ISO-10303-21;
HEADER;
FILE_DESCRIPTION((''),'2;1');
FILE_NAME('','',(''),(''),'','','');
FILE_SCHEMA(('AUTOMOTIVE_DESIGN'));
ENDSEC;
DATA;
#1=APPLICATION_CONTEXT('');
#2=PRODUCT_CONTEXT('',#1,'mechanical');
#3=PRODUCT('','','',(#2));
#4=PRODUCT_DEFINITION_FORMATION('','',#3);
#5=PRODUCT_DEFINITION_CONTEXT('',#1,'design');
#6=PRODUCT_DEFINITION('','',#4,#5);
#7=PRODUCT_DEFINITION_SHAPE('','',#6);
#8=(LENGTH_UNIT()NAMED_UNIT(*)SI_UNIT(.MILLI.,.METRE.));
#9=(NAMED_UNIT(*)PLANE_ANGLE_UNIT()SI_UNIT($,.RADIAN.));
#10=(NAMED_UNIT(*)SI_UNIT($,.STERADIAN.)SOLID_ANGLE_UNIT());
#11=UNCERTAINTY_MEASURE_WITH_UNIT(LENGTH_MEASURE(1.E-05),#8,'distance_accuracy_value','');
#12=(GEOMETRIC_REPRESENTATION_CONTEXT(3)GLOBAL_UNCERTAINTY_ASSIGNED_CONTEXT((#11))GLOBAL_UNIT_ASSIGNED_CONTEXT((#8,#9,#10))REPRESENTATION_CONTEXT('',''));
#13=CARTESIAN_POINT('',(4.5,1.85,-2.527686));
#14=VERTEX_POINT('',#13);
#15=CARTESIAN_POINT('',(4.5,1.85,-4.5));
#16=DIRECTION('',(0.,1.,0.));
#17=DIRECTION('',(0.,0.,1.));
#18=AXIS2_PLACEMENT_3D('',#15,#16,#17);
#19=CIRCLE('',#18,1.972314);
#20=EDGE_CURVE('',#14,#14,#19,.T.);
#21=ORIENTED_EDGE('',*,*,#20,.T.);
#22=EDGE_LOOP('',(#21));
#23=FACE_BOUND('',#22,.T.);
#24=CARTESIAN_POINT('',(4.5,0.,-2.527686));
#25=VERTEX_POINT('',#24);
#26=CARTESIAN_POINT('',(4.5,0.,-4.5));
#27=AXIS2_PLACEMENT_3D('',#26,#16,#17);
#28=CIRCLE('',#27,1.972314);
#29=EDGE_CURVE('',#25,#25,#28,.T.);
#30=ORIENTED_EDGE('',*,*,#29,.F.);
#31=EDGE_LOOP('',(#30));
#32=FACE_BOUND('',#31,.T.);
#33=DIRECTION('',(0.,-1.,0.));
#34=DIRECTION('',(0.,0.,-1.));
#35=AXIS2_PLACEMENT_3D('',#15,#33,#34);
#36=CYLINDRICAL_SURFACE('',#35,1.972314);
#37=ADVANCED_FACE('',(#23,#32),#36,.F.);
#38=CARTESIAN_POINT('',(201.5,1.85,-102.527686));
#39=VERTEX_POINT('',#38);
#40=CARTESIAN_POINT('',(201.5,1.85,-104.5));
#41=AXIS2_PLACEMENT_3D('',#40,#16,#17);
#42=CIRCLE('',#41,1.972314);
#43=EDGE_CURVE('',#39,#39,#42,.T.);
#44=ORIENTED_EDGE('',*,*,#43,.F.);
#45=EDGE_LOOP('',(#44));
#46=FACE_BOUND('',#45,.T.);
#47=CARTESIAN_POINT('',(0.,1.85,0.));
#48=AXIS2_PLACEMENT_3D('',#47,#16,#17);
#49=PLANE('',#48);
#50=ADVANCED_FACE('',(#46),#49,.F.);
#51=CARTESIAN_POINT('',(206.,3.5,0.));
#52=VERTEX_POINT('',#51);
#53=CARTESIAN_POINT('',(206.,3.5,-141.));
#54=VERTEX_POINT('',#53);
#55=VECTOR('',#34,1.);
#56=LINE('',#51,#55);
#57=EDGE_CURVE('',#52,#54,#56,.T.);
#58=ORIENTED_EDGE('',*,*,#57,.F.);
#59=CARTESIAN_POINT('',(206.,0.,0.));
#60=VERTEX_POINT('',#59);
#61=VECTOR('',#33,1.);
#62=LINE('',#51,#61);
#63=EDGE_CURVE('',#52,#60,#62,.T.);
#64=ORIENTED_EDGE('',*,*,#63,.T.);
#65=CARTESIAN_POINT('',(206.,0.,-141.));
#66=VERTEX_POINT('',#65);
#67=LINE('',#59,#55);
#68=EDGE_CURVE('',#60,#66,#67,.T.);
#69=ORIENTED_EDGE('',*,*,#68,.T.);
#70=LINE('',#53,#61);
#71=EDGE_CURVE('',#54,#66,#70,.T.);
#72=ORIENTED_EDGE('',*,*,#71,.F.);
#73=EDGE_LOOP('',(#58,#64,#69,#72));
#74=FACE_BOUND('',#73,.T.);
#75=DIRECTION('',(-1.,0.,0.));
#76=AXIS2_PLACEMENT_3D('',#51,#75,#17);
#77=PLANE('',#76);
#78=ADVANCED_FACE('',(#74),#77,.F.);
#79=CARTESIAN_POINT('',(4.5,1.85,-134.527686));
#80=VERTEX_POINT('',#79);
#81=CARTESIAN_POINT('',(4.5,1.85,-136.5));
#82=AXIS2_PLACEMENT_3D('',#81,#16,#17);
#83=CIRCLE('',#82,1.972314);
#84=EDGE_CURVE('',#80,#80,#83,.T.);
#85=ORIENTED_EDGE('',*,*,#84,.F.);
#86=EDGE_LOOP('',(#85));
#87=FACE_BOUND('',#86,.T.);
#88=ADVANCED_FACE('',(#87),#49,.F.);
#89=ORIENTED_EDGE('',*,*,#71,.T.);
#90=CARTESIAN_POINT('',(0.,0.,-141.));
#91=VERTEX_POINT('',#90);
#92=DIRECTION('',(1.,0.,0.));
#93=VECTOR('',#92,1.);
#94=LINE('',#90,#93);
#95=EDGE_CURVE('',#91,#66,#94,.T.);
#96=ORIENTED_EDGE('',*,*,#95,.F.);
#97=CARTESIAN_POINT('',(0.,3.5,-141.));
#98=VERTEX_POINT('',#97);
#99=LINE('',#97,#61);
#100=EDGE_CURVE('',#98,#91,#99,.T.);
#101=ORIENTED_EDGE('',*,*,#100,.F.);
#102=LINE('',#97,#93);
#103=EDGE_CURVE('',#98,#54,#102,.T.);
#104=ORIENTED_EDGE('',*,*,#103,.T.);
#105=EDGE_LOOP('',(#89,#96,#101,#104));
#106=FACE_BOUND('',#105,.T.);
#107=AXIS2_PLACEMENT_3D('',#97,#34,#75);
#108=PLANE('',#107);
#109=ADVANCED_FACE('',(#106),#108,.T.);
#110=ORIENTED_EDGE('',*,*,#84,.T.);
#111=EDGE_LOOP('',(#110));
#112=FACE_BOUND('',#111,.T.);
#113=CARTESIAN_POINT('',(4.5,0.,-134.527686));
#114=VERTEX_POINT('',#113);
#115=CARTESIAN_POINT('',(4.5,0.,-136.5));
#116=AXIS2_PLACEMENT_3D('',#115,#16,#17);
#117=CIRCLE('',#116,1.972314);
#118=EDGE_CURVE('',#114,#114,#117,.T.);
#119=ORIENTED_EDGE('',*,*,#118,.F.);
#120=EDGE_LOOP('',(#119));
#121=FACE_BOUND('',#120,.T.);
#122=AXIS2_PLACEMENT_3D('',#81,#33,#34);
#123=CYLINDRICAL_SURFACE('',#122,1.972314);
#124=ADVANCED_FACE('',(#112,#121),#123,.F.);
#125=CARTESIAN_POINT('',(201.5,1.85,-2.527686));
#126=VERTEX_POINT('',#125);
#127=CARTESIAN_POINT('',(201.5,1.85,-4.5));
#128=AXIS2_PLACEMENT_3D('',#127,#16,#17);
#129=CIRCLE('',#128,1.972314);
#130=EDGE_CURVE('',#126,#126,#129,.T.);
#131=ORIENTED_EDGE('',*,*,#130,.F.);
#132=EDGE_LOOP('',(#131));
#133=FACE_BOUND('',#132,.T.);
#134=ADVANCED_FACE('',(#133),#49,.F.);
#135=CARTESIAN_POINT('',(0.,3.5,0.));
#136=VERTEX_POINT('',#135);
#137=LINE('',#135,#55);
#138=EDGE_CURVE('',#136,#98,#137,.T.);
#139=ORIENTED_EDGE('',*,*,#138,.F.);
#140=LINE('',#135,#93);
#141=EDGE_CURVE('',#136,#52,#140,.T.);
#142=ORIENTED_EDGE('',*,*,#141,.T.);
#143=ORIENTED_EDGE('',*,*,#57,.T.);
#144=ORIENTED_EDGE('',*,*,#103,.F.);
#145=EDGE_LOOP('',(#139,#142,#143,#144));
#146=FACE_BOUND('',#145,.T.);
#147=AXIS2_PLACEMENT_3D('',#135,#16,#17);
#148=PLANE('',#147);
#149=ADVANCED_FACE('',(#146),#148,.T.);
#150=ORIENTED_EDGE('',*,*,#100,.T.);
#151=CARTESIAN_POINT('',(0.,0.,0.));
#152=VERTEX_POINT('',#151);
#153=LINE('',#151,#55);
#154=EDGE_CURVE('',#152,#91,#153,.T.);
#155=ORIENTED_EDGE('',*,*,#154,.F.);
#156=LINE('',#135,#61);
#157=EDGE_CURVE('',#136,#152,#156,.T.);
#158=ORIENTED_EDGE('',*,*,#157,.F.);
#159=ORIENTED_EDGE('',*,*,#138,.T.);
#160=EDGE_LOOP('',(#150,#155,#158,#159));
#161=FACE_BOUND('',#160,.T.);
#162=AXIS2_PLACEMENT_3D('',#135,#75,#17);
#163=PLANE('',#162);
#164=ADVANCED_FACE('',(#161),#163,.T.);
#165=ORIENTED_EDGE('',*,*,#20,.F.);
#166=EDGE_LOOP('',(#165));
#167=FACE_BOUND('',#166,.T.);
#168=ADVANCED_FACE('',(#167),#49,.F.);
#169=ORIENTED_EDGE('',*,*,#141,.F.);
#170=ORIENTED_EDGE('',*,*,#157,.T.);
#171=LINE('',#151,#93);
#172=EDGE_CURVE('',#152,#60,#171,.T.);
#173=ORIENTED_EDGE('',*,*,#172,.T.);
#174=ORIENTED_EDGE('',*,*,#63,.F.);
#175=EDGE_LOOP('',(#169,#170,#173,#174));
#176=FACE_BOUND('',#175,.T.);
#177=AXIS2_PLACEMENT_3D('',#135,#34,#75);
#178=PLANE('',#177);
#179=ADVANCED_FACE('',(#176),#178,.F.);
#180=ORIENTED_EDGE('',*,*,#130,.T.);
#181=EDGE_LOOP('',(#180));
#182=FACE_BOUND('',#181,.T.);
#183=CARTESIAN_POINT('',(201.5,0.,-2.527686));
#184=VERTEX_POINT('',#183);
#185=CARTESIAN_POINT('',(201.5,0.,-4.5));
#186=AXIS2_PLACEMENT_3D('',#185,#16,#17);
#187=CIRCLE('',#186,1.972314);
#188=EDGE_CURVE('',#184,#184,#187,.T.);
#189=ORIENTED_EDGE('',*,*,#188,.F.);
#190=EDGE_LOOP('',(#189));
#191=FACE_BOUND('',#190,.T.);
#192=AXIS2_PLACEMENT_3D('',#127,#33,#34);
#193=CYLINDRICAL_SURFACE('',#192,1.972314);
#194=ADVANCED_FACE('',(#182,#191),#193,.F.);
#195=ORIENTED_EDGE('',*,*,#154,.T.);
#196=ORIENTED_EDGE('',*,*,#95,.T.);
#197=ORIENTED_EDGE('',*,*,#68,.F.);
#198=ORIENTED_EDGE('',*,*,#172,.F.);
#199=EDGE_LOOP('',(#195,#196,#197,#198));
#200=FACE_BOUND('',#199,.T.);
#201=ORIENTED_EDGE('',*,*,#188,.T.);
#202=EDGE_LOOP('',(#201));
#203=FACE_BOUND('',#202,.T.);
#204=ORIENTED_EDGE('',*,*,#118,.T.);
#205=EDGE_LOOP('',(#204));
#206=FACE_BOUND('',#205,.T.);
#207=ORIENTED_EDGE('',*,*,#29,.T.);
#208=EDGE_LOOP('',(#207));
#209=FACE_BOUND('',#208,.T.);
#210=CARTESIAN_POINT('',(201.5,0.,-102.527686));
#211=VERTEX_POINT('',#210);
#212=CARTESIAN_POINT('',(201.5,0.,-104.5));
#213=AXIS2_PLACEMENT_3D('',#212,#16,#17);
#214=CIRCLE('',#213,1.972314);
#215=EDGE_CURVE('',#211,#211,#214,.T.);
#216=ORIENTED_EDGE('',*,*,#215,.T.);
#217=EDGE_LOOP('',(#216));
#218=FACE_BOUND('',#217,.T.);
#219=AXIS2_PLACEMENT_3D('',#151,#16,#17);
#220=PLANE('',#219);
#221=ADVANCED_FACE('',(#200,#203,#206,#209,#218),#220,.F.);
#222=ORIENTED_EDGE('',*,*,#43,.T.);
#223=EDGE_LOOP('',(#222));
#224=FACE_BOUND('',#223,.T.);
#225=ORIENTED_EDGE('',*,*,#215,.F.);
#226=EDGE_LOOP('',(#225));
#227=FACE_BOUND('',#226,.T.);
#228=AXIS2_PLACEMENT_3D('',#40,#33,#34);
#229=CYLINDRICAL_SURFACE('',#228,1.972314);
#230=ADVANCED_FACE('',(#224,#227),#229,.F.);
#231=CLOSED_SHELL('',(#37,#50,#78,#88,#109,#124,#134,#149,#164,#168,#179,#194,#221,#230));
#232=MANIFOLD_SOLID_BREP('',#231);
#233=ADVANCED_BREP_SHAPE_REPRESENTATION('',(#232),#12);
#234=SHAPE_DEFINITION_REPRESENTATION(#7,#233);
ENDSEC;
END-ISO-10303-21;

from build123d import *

# Parameters (mm, degrees)
SKETCH1_W           = 206
SKETCH1_H           = 141
BOSS_EXTRUDE1_DEPTH = 3.5
SKETCH1_3_R         = 1.972314148
CUT_EXTRUDE1_DEPTH  = 1.85


with BuildPart() as part:
    # Sketch1 → Boss-Extrude1 (new body)
    with BuildSketch(Plane(origin=(0, 0, 0), x_dir=(1, 0, 0), z_dir=(0, 1, 0))):
        with Locations((103, 70.5)):
            Rectangle(SKETCH1_W, SKETCH1_H)
    extrude(amount=BOSS_EXTRUDE1_DEPTH)

    # Sketch1<3> → Cut-Extrude1 (cut)
    with BuildSketch(Plane(origin=(0, 0, 0), x_dir=(1, 0, 0), z_dir=(0, 1, 0))):
        with Locations((4.5, 4.5)):
            Circle(SKETCH1_3_R)
        with Locations((201.5, 104.5)):
            Circle(SKETCH1_3_R)
        with Locations((201.5, 4.5)):
            Circle(SKETCH1_3_R)
        with Locations((4.5, 136.5)):
            Circle(SKETCH1_3_R)
    extrude(amount=CUT_EXTRUDE1_DEPTH, mode=Mode.SUBTRACT)


solid = part.part
